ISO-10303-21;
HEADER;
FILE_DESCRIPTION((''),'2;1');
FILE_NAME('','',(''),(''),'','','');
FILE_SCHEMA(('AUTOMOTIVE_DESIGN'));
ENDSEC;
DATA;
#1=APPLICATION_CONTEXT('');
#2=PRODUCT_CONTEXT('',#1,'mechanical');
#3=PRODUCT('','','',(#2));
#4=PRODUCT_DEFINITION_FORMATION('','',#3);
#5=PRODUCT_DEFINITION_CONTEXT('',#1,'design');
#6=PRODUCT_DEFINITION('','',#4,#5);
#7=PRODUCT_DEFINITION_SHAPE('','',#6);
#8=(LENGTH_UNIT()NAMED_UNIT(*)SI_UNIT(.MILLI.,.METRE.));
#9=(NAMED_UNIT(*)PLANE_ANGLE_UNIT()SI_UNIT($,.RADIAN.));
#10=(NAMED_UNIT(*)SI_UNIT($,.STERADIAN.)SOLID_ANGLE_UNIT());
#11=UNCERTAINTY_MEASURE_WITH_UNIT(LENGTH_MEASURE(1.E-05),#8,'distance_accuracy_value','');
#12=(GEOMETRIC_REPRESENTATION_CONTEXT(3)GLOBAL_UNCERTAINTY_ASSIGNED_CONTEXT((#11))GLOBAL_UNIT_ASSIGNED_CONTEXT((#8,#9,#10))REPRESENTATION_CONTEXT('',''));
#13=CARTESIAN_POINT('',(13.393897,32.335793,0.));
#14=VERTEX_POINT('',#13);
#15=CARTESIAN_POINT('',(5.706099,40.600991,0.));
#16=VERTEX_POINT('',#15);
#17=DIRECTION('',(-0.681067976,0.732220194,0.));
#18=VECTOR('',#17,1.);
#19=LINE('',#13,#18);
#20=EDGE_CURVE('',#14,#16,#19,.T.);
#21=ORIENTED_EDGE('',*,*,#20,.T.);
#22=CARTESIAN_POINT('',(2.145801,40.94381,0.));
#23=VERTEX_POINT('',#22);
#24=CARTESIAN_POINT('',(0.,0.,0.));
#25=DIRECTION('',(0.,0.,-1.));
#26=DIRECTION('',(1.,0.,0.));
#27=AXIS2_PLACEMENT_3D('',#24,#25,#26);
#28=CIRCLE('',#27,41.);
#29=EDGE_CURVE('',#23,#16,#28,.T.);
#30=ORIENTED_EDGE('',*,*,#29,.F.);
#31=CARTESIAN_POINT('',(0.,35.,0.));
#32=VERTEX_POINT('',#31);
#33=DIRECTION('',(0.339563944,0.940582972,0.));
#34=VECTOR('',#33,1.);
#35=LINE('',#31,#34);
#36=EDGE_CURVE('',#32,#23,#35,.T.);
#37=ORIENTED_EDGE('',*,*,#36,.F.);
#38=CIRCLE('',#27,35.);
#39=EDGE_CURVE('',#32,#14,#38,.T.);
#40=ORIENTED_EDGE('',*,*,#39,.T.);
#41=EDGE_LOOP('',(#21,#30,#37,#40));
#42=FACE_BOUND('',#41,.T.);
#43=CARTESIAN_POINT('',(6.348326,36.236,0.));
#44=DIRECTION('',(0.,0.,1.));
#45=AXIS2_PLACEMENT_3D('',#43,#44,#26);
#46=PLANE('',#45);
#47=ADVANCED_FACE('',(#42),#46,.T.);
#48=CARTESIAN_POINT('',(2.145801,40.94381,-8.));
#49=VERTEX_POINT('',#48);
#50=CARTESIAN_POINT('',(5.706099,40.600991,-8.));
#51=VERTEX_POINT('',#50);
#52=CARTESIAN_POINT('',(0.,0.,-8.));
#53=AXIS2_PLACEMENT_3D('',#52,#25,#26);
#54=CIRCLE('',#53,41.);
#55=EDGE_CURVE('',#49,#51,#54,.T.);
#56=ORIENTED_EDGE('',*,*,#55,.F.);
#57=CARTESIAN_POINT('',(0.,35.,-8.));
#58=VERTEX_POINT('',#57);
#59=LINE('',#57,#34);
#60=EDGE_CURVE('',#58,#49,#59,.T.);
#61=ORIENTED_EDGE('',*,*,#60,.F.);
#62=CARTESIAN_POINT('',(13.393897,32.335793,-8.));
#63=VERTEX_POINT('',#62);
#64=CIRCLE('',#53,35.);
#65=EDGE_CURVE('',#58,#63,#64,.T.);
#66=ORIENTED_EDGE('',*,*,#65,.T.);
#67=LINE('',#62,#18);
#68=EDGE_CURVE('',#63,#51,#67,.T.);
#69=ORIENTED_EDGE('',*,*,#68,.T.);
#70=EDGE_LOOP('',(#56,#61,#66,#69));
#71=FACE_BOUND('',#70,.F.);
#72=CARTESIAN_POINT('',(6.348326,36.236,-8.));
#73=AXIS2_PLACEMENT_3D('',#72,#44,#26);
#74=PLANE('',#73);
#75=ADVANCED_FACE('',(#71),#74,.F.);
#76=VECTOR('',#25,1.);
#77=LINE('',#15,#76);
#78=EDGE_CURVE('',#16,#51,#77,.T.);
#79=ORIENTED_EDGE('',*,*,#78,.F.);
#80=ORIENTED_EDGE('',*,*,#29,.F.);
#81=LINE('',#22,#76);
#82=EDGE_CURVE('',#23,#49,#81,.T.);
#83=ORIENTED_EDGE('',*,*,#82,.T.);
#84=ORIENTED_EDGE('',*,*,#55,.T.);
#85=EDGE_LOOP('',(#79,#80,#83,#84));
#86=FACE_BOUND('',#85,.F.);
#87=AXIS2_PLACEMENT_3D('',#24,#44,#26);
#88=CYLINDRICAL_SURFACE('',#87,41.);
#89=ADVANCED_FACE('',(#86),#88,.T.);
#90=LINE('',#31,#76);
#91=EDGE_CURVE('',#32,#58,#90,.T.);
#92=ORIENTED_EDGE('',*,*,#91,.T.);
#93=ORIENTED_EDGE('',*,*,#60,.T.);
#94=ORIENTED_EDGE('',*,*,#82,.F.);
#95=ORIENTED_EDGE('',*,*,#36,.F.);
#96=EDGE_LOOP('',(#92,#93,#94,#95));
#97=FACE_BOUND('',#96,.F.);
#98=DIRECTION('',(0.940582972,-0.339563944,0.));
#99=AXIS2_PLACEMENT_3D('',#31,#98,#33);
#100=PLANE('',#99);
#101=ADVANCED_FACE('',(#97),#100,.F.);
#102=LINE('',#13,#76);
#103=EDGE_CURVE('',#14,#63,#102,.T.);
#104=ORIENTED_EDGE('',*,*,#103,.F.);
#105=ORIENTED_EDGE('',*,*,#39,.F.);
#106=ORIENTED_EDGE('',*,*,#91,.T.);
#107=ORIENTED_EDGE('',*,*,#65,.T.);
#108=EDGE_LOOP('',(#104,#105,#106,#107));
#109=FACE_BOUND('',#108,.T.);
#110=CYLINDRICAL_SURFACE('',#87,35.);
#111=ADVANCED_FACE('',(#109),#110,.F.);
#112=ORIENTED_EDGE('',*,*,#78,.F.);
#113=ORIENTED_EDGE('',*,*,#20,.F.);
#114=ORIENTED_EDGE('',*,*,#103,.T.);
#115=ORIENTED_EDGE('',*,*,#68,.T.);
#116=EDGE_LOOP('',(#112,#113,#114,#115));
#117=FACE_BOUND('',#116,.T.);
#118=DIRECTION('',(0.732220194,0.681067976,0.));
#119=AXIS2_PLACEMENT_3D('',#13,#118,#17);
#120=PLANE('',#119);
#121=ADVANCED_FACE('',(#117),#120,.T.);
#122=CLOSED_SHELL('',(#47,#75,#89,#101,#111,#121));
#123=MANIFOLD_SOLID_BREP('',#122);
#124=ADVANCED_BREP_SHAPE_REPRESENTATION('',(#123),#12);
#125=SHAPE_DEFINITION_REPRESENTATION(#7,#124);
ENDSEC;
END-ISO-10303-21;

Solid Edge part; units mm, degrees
sketch "Sketch1" plane through (0, 0, 0) normal (0, 0, 1) x (1, 0, 0)
  arc A0 (0, 35) -> (13.3939, 32.3358) centre (0, 0) cw
  line L0 (13.3939, 32.3358) -> (5.7061, 40.601)
  arc A1 (2.1458, 40.9438) -> (5.7061, 40.601) centre (0, 0) cw
  line L1 (0, 35) -> (2.1458, 40.9438)
  dimension "D1" = 70
  dimension "D2" = 41
extrude "Protrusion1" add sketch "Sketch1" against normal blind 8
properties material "Polyethylene, low density"
